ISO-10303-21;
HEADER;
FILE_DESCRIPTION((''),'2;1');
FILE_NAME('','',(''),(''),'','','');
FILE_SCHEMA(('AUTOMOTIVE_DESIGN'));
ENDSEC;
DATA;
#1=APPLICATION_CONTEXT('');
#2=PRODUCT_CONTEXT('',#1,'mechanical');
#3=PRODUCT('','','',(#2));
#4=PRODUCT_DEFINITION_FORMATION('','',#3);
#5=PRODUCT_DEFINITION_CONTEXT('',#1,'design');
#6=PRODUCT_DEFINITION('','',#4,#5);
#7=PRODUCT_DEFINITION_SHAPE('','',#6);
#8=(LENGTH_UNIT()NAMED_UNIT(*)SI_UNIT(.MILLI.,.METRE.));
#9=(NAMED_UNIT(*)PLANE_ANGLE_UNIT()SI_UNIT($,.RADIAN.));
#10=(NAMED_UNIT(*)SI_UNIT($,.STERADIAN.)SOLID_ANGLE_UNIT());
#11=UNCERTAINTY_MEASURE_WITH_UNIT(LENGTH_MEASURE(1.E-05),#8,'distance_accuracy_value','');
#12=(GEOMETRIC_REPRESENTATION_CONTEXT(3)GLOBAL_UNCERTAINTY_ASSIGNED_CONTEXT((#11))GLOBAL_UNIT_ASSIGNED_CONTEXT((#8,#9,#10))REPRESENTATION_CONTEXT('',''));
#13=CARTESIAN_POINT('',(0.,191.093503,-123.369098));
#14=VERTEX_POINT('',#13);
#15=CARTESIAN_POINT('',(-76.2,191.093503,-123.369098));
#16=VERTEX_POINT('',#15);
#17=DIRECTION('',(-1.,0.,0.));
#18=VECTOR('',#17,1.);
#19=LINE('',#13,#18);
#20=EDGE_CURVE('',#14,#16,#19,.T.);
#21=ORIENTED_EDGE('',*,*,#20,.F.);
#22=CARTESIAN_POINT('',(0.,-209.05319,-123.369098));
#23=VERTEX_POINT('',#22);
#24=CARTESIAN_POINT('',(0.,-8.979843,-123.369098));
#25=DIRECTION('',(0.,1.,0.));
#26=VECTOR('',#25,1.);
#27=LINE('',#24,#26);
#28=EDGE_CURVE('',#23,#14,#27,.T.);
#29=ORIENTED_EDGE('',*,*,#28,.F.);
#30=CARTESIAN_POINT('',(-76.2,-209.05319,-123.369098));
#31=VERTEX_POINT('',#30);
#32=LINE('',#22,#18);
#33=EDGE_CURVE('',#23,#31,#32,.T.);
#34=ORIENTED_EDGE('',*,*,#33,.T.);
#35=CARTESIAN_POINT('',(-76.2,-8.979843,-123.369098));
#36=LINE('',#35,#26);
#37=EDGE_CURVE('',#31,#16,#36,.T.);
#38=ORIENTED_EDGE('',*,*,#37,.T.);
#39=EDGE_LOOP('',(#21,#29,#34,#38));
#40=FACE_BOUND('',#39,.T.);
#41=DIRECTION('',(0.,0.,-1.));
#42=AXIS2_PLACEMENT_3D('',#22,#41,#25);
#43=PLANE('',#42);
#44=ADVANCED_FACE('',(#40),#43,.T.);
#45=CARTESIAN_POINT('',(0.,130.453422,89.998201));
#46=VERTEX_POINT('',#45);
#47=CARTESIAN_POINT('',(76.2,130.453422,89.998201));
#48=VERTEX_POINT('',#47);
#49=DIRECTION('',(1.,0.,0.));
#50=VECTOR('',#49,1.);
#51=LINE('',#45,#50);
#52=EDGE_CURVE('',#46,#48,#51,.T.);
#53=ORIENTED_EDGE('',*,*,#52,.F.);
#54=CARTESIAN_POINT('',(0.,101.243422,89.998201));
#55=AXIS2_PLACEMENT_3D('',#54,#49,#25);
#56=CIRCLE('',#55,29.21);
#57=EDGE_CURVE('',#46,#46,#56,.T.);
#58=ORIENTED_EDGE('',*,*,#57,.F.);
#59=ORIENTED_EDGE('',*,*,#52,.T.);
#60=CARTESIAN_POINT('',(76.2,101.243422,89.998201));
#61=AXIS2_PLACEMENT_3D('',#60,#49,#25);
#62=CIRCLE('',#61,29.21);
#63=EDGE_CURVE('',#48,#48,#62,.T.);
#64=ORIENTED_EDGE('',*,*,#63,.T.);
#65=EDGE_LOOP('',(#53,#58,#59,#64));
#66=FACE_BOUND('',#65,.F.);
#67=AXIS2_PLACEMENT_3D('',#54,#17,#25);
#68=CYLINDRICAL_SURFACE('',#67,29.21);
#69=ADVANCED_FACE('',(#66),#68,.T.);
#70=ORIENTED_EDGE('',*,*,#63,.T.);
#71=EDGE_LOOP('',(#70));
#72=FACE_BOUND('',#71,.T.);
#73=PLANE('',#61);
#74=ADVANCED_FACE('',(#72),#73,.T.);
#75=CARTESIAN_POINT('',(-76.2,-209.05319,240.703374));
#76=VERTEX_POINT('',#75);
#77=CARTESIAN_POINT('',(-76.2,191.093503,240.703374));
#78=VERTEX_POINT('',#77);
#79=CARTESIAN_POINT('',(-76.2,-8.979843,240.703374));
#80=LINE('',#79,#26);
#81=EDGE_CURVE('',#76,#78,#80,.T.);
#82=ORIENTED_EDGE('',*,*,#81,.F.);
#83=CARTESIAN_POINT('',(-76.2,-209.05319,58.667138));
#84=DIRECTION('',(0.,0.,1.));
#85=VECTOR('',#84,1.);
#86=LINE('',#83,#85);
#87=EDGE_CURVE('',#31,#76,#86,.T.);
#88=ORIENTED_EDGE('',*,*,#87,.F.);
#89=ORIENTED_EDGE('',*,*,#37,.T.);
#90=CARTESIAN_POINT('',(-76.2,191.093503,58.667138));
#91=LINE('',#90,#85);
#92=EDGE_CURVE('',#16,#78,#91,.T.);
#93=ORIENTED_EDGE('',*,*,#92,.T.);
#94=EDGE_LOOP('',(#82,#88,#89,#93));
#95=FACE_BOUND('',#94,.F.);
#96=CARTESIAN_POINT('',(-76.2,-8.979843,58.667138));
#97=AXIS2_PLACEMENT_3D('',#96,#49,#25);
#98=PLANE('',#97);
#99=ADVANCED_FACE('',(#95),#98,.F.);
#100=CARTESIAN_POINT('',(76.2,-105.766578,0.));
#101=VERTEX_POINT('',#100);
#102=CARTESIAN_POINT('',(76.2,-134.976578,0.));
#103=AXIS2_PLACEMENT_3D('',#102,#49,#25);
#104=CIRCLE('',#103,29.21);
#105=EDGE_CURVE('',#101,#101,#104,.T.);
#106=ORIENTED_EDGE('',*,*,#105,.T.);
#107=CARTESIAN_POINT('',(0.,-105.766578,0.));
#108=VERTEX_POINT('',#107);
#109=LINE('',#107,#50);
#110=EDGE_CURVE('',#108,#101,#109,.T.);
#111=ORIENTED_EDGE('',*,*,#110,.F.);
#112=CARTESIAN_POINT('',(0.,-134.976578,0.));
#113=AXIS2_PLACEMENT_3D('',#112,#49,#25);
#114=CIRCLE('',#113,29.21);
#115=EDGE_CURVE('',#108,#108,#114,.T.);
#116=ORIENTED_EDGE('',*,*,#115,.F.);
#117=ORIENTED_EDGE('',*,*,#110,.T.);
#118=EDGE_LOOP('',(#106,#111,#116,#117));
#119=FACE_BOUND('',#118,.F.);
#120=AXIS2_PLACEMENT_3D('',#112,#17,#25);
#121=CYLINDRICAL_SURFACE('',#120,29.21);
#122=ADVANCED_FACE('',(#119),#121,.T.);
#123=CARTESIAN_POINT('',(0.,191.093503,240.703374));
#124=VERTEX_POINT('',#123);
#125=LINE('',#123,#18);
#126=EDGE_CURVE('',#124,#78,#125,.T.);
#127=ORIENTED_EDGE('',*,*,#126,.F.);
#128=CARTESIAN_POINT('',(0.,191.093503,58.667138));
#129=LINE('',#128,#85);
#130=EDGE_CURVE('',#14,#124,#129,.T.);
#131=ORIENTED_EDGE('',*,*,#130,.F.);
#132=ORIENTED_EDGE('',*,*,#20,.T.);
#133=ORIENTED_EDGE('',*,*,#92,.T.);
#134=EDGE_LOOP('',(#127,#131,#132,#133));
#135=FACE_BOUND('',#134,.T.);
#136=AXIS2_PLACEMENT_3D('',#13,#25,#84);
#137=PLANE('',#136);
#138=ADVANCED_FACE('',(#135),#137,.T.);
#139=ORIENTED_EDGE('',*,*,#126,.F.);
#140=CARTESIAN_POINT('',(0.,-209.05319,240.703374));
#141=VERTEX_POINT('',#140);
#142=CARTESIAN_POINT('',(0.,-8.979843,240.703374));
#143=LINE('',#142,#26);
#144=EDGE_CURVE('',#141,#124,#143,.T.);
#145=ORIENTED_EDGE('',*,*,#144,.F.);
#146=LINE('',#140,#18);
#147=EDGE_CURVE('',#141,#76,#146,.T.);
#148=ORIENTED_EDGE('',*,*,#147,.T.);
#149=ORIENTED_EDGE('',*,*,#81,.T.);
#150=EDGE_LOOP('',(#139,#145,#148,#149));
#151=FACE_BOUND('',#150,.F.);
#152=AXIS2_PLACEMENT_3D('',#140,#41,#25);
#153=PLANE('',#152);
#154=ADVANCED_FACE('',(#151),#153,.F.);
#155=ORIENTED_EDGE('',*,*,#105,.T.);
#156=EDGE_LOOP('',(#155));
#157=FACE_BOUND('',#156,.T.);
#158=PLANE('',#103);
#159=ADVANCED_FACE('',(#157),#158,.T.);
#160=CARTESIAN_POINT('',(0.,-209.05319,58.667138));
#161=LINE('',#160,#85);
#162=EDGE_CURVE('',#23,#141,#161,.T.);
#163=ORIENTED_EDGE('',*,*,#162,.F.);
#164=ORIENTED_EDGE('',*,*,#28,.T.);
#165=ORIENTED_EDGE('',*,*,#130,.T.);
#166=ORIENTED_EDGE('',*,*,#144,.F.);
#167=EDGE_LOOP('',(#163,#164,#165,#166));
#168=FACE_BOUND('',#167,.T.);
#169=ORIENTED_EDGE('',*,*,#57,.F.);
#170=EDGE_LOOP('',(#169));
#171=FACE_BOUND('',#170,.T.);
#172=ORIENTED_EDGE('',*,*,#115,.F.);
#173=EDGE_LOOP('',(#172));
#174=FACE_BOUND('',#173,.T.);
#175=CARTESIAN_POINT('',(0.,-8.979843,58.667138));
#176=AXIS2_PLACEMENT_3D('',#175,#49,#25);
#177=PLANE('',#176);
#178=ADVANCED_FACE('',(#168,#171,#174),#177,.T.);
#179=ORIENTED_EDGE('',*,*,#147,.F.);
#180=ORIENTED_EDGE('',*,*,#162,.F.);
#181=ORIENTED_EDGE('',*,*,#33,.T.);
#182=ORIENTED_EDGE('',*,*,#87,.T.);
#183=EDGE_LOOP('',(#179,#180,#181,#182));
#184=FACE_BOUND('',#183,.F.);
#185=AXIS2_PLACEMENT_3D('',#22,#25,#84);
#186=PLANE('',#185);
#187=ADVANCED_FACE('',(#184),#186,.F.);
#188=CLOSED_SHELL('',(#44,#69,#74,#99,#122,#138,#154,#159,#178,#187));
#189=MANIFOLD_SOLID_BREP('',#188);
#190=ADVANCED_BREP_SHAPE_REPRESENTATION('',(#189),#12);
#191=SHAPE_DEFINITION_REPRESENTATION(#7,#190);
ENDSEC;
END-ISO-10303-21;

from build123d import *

# Parameters (mm, degrees)
F0_W     = 400.146693
F0_H     = 364.072472
F2_DEPTH = 76.2
F1_R     = 29.21
F3_DEPTH = 76.2


with BuildPart() as f2:
    # F0 (on Right) → F2 (new body)
    with BuildSketch(Plane.YZ):
        with Locations((-8.979843, 58.667138)):
            Rectangle(F0_W, F0_H)
    extrude(amount=-F2_DEPTH)

    # F1 (on face) → F3 (join)
    with BuildSketch(Plane.YZ):
        with Locations((-134.976578, 0)):
            Circle(F1_R)
        with Locations((101.243422, 89.998201)):
            Circle(F1_R)
    extrude(amount=F3_DEPTH)


solid = f2.part
